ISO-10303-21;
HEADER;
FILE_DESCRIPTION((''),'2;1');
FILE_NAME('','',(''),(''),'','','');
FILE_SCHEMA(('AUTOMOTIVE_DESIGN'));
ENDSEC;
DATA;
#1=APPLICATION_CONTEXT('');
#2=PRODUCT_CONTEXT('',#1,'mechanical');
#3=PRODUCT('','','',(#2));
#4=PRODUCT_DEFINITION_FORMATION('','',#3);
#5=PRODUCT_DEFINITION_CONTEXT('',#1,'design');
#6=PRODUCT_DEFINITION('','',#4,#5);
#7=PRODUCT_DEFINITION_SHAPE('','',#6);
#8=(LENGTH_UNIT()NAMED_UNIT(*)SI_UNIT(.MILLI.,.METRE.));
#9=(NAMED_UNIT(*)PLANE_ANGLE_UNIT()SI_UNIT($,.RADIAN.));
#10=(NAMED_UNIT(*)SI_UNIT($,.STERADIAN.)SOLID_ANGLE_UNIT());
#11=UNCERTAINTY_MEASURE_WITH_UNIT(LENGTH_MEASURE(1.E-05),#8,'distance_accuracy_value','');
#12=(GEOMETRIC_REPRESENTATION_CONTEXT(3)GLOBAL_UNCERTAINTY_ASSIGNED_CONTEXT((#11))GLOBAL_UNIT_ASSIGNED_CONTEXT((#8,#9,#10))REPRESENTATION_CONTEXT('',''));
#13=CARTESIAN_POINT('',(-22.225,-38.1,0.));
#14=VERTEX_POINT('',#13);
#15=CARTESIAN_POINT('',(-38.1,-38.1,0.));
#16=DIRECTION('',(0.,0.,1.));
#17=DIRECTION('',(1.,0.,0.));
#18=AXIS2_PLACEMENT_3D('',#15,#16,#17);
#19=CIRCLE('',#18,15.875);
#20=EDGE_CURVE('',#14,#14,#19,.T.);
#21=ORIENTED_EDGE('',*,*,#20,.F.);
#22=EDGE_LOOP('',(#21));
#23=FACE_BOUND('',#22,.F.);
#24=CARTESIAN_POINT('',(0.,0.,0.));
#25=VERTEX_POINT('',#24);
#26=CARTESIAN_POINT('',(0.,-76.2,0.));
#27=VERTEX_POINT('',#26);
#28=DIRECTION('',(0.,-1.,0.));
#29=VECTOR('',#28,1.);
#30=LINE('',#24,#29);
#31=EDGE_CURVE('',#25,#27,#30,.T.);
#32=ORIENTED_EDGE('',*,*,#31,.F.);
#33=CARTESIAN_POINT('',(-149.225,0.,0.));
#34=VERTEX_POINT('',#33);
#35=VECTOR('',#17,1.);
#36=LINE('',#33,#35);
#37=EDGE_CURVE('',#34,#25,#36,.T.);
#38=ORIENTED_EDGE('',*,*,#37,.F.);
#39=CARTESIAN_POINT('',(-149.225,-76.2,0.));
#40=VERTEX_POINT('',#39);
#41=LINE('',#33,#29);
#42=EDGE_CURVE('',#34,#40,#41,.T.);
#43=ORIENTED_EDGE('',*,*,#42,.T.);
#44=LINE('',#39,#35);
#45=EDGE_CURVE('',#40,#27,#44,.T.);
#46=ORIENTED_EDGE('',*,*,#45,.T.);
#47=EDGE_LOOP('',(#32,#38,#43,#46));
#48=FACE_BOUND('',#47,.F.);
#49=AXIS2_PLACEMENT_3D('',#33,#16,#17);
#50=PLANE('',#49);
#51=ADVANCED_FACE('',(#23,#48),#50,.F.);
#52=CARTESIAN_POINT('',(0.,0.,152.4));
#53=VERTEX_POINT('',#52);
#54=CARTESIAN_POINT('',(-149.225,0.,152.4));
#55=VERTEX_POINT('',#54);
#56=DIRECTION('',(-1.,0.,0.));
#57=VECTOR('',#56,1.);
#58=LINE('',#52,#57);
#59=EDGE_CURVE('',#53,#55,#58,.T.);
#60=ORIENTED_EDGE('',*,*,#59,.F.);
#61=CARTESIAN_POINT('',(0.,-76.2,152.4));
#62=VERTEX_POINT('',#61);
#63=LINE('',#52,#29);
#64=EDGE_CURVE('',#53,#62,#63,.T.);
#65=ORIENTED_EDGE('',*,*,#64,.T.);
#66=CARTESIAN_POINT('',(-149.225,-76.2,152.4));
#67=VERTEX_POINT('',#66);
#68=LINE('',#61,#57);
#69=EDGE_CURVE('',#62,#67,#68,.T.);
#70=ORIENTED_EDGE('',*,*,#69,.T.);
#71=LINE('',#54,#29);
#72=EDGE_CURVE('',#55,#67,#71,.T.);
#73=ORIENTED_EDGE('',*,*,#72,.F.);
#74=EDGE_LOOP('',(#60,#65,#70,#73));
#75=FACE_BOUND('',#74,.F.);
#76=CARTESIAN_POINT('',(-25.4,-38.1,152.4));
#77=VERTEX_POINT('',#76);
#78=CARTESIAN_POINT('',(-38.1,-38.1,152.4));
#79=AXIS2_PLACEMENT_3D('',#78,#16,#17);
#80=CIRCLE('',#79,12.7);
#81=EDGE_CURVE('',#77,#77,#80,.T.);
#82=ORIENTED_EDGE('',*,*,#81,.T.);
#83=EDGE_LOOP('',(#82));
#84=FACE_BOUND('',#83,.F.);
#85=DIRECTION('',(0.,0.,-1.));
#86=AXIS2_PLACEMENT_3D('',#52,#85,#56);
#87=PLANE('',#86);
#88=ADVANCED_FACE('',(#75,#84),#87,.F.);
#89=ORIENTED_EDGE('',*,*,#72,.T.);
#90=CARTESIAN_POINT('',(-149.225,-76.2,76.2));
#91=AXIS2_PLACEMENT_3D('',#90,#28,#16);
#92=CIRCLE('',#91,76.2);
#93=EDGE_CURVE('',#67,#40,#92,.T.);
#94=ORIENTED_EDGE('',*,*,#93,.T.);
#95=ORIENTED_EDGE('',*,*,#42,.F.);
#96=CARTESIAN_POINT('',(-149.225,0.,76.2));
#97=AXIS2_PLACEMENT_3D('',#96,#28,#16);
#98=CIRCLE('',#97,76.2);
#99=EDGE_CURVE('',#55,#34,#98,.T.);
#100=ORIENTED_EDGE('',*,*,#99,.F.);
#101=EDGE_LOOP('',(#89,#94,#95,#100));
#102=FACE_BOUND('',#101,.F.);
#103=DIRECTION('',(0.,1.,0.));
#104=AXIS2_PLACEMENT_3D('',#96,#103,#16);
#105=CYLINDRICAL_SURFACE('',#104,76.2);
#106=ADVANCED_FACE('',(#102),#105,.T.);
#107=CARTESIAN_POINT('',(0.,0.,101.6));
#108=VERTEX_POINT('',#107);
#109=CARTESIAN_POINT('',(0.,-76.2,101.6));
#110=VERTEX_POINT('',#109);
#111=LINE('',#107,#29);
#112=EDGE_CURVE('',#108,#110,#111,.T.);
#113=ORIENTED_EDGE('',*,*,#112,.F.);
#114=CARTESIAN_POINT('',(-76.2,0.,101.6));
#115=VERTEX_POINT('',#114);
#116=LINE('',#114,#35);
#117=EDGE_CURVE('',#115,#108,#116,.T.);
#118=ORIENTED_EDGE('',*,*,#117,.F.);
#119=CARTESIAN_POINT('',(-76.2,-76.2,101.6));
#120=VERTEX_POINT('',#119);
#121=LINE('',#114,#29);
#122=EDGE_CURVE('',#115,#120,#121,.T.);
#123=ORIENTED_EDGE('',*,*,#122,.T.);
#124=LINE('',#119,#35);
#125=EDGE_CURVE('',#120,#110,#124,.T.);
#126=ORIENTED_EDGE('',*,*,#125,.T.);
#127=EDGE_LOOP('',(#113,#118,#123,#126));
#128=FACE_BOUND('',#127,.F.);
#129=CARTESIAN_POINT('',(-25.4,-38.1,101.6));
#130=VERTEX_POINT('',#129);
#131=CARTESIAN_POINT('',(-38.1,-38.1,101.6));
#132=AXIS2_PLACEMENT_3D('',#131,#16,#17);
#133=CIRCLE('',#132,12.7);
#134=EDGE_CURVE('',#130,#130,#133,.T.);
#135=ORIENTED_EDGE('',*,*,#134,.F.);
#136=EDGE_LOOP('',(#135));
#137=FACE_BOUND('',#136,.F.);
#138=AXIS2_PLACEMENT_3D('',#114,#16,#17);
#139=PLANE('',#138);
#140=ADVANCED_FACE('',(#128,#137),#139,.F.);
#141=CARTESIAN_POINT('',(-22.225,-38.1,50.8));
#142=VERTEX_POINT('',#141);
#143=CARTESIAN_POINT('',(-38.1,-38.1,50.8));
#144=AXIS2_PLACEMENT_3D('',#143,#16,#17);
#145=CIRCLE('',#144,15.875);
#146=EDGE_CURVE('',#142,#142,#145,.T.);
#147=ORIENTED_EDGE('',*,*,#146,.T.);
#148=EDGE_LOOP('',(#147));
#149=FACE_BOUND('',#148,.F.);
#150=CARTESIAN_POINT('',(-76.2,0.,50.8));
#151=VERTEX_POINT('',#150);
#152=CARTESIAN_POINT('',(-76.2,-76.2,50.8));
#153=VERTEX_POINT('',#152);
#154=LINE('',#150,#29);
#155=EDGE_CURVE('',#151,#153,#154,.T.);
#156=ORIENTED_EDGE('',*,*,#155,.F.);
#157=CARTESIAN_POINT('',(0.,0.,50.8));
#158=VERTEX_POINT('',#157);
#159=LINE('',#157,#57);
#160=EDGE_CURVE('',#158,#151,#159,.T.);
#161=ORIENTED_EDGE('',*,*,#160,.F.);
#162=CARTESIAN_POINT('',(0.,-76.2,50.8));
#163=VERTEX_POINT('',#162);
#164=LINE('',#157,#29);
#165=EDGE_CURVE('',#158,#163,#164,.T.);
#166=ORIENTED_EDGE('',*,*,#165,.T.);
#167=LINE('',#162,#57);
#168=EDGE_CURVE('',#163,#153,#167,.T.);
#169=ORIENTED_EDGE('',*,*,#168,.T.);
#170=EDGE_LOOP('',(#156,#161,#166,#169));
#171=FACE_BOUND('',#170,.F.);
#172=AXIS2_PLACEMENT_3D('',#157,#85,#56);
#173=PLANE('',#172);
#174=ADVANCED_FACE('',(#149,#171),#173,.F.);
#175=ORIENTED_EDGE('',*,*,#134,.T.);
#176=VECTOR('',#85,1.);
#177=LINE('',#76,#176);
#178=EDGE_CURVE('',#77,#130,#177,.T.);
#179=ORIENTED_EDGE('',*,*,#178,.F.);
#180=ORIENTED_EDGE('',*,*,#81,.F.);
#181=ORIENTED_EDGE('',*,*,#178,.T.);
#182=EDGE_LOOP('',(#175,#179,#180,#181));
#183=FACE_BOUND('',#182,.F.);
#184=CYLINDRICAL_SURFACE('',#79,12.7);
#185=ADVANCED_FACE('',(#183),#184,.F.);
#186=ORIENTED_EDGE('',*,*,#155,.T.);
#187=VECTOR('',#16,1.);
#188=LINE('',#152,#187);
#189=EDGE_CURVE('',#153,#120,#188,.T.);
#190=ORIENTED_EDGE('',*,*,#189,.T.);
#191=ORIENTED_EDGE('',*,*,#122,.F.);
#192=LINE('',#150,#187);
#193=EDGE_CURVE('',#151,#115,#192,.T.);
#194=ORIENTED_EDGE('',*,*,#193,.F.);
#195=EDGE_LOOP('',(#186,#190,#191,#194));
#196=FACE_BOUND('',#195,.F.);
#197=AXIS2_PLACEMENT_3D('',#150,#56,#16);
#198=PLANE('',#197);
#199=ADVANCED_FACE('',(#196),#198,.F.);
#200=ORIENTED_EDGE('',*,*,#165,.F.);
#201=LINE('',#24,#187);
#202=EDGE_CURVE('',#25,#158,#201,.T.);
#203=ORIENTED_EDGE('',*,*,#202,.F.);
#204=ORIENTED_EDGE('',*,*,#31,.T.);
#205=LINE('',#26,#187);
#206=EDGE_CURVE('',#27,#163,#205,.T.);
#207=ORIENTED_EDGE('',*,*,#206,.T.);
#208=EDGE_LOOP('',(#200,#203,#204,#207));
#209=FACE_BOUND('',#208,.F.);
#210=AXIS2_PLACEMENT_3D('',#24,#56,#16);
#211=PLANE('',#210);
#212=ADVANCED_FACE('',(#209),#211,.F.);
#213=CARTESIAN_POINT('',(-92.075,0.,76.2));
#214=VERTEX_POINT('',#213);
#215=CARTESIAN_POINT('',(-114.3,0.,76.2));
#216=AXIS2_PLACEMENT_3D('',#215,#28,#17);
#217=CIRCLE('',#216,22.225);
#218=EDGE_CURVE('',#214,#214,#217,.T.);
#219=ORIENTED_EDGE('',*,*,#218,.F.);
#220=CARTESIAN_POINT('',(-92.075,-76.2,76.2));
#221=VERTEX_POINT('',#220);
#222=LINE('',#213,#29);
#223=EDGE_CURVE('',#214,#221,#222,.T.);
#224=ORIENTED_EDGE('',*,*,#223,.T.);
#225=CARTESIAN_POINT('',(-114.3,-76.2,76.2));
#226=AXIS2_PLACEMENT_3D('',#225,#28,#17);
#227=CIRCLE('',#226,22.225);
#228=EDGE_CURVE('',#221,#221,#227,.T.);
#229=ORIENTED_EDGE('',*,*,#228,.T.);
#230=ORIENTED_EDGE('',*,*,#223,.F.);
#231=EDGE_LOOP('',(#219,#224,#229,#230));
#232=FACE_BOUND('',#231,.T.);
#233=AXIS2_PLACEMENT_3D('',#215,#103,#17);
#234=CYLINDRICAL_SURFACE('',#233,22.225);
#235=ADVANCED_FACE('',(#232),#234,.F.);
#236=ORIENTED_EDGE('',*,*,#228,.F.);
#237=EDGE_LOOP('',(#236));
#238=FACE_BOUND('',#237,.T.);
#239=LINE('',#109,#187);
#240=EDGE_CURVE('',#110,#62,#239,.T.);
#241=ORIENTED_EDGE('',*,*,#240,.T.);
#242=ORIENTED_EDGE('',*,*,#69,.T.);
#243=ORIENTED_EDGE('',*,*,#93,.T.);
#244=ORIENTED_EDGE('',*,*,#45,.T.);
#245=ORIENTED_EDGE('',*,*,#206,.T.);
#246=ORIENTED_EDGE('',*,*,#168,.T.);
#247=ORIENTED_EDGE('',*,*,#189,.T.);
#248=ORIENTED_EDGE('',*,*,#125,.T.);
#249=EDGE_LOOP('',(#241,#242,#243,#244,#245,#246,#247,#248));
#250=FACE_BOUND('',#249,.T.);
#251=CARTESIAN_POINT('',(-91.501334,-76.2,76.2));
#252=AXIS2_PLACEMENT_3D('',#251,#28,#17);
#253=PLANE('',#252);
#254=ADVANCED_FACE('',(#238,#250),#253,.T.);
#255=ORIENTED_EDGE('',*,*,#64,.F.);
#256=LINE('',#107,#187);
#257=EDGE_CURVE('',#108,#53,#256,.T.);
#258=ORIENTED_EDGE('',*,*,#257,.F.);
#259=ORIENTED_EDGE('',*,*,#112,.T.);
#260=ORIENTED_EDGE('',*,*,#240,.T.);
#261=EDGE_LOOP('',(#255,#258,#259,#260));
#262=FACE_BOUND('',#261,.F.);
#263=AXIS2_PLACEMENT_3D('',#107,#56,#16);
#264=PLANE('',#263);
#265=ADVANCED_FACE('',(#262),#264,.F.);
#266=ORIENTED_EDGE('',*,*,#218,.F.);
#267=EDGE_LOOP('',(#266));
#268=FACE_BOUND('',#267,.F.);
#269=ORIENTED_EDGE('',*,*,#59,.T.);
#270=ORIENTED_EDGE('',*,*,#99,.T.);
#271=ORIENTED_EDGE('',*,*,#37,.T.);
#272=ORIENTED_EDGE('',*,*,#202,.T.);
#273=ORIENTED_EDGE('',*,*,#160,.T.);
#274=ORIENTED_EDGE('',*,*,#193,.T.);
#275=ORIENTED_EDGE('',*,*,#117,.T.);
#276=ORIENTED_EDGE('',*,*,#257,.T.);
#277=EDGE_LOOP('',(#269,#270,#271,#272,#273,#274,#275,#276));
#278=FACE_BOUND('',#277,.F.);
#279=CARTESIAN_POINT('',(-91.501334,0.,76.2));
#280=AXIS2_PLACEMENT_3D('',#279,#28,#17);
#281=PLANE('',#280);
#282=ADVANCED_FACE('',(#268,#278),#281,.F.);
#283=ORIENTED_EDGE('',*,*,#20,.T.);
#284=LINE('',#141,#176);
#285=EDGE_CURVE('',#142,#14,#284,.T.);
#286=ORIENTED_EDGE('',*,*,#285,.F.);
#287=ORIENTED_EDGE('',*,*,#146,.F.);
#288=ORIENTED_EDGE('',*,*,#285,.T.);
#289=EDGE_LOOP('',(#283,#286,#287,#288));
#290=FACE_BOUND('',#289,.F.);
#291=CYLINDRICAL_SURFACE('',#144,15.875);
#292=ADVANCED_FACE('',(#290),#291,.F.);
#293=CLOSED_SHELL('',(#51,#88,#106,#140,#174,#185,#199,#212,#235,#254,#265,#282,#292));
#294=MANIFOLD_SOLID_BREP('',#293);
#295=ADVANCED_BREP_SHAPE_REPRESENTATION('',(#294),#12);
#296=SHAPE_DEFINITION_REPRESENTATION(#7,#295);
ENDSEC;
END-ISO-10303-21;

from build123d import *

# Parameters (mm, degrees)
F0_R     = 22.225
F1_DEPTH = 76.2
F2_R     = 12.7
F4_DEPTH = 56.642
F3_R     = 15.875
F5_DEPTH = 101.6


with BuildPart() as f1:
    # F0 (on Front) → F1 (new body)
    with BuildSketch(Plane.XZ):
        with BuildLine():
            Line((-149.225, 0), (0, 0))
            Line((0, 0), (0, 50.8))
            Line((0, 50.8), (-76.2, 50.8))
            Line((-76.2, 50.8), (-76.2, 101.6))
            Line((-76.2, 101.6), (0, 101.6))
            Line((0, 101.6), (0, 152.4))
            Line((0, 152.4), (-149.225, 152.4))
            ThreePointArc((-149.225, 152.4), (-225.425, 76.2), (-149.225, 0))
        make_face()
        with Locations((-114.3, 76.2)):
            Circle(F0_R, mode=Mode.SUBTRACT)
    extrude(amount=F1_DEPTH)

    # F2 (on face) → F4 (cut)
    with BuildSketch(Plane.XY.offset(152.4)):
        with Locations((-38.1, -38.1)):
            Circle(F2_R)
    extrude(amount=-F4_DEPTH, mode=Mode.SUBTRACT)

    # F3 (on face) → F5 (cut)
    with BuildSketch(Plane.XY.offset(50.8)):
        with Locations((-38.1, -38.1)):
            Circle(F3_R)
    extrude(amount=-F5_DEPTH, mode=Mode.SUBTRACT)


solid = f1.part
